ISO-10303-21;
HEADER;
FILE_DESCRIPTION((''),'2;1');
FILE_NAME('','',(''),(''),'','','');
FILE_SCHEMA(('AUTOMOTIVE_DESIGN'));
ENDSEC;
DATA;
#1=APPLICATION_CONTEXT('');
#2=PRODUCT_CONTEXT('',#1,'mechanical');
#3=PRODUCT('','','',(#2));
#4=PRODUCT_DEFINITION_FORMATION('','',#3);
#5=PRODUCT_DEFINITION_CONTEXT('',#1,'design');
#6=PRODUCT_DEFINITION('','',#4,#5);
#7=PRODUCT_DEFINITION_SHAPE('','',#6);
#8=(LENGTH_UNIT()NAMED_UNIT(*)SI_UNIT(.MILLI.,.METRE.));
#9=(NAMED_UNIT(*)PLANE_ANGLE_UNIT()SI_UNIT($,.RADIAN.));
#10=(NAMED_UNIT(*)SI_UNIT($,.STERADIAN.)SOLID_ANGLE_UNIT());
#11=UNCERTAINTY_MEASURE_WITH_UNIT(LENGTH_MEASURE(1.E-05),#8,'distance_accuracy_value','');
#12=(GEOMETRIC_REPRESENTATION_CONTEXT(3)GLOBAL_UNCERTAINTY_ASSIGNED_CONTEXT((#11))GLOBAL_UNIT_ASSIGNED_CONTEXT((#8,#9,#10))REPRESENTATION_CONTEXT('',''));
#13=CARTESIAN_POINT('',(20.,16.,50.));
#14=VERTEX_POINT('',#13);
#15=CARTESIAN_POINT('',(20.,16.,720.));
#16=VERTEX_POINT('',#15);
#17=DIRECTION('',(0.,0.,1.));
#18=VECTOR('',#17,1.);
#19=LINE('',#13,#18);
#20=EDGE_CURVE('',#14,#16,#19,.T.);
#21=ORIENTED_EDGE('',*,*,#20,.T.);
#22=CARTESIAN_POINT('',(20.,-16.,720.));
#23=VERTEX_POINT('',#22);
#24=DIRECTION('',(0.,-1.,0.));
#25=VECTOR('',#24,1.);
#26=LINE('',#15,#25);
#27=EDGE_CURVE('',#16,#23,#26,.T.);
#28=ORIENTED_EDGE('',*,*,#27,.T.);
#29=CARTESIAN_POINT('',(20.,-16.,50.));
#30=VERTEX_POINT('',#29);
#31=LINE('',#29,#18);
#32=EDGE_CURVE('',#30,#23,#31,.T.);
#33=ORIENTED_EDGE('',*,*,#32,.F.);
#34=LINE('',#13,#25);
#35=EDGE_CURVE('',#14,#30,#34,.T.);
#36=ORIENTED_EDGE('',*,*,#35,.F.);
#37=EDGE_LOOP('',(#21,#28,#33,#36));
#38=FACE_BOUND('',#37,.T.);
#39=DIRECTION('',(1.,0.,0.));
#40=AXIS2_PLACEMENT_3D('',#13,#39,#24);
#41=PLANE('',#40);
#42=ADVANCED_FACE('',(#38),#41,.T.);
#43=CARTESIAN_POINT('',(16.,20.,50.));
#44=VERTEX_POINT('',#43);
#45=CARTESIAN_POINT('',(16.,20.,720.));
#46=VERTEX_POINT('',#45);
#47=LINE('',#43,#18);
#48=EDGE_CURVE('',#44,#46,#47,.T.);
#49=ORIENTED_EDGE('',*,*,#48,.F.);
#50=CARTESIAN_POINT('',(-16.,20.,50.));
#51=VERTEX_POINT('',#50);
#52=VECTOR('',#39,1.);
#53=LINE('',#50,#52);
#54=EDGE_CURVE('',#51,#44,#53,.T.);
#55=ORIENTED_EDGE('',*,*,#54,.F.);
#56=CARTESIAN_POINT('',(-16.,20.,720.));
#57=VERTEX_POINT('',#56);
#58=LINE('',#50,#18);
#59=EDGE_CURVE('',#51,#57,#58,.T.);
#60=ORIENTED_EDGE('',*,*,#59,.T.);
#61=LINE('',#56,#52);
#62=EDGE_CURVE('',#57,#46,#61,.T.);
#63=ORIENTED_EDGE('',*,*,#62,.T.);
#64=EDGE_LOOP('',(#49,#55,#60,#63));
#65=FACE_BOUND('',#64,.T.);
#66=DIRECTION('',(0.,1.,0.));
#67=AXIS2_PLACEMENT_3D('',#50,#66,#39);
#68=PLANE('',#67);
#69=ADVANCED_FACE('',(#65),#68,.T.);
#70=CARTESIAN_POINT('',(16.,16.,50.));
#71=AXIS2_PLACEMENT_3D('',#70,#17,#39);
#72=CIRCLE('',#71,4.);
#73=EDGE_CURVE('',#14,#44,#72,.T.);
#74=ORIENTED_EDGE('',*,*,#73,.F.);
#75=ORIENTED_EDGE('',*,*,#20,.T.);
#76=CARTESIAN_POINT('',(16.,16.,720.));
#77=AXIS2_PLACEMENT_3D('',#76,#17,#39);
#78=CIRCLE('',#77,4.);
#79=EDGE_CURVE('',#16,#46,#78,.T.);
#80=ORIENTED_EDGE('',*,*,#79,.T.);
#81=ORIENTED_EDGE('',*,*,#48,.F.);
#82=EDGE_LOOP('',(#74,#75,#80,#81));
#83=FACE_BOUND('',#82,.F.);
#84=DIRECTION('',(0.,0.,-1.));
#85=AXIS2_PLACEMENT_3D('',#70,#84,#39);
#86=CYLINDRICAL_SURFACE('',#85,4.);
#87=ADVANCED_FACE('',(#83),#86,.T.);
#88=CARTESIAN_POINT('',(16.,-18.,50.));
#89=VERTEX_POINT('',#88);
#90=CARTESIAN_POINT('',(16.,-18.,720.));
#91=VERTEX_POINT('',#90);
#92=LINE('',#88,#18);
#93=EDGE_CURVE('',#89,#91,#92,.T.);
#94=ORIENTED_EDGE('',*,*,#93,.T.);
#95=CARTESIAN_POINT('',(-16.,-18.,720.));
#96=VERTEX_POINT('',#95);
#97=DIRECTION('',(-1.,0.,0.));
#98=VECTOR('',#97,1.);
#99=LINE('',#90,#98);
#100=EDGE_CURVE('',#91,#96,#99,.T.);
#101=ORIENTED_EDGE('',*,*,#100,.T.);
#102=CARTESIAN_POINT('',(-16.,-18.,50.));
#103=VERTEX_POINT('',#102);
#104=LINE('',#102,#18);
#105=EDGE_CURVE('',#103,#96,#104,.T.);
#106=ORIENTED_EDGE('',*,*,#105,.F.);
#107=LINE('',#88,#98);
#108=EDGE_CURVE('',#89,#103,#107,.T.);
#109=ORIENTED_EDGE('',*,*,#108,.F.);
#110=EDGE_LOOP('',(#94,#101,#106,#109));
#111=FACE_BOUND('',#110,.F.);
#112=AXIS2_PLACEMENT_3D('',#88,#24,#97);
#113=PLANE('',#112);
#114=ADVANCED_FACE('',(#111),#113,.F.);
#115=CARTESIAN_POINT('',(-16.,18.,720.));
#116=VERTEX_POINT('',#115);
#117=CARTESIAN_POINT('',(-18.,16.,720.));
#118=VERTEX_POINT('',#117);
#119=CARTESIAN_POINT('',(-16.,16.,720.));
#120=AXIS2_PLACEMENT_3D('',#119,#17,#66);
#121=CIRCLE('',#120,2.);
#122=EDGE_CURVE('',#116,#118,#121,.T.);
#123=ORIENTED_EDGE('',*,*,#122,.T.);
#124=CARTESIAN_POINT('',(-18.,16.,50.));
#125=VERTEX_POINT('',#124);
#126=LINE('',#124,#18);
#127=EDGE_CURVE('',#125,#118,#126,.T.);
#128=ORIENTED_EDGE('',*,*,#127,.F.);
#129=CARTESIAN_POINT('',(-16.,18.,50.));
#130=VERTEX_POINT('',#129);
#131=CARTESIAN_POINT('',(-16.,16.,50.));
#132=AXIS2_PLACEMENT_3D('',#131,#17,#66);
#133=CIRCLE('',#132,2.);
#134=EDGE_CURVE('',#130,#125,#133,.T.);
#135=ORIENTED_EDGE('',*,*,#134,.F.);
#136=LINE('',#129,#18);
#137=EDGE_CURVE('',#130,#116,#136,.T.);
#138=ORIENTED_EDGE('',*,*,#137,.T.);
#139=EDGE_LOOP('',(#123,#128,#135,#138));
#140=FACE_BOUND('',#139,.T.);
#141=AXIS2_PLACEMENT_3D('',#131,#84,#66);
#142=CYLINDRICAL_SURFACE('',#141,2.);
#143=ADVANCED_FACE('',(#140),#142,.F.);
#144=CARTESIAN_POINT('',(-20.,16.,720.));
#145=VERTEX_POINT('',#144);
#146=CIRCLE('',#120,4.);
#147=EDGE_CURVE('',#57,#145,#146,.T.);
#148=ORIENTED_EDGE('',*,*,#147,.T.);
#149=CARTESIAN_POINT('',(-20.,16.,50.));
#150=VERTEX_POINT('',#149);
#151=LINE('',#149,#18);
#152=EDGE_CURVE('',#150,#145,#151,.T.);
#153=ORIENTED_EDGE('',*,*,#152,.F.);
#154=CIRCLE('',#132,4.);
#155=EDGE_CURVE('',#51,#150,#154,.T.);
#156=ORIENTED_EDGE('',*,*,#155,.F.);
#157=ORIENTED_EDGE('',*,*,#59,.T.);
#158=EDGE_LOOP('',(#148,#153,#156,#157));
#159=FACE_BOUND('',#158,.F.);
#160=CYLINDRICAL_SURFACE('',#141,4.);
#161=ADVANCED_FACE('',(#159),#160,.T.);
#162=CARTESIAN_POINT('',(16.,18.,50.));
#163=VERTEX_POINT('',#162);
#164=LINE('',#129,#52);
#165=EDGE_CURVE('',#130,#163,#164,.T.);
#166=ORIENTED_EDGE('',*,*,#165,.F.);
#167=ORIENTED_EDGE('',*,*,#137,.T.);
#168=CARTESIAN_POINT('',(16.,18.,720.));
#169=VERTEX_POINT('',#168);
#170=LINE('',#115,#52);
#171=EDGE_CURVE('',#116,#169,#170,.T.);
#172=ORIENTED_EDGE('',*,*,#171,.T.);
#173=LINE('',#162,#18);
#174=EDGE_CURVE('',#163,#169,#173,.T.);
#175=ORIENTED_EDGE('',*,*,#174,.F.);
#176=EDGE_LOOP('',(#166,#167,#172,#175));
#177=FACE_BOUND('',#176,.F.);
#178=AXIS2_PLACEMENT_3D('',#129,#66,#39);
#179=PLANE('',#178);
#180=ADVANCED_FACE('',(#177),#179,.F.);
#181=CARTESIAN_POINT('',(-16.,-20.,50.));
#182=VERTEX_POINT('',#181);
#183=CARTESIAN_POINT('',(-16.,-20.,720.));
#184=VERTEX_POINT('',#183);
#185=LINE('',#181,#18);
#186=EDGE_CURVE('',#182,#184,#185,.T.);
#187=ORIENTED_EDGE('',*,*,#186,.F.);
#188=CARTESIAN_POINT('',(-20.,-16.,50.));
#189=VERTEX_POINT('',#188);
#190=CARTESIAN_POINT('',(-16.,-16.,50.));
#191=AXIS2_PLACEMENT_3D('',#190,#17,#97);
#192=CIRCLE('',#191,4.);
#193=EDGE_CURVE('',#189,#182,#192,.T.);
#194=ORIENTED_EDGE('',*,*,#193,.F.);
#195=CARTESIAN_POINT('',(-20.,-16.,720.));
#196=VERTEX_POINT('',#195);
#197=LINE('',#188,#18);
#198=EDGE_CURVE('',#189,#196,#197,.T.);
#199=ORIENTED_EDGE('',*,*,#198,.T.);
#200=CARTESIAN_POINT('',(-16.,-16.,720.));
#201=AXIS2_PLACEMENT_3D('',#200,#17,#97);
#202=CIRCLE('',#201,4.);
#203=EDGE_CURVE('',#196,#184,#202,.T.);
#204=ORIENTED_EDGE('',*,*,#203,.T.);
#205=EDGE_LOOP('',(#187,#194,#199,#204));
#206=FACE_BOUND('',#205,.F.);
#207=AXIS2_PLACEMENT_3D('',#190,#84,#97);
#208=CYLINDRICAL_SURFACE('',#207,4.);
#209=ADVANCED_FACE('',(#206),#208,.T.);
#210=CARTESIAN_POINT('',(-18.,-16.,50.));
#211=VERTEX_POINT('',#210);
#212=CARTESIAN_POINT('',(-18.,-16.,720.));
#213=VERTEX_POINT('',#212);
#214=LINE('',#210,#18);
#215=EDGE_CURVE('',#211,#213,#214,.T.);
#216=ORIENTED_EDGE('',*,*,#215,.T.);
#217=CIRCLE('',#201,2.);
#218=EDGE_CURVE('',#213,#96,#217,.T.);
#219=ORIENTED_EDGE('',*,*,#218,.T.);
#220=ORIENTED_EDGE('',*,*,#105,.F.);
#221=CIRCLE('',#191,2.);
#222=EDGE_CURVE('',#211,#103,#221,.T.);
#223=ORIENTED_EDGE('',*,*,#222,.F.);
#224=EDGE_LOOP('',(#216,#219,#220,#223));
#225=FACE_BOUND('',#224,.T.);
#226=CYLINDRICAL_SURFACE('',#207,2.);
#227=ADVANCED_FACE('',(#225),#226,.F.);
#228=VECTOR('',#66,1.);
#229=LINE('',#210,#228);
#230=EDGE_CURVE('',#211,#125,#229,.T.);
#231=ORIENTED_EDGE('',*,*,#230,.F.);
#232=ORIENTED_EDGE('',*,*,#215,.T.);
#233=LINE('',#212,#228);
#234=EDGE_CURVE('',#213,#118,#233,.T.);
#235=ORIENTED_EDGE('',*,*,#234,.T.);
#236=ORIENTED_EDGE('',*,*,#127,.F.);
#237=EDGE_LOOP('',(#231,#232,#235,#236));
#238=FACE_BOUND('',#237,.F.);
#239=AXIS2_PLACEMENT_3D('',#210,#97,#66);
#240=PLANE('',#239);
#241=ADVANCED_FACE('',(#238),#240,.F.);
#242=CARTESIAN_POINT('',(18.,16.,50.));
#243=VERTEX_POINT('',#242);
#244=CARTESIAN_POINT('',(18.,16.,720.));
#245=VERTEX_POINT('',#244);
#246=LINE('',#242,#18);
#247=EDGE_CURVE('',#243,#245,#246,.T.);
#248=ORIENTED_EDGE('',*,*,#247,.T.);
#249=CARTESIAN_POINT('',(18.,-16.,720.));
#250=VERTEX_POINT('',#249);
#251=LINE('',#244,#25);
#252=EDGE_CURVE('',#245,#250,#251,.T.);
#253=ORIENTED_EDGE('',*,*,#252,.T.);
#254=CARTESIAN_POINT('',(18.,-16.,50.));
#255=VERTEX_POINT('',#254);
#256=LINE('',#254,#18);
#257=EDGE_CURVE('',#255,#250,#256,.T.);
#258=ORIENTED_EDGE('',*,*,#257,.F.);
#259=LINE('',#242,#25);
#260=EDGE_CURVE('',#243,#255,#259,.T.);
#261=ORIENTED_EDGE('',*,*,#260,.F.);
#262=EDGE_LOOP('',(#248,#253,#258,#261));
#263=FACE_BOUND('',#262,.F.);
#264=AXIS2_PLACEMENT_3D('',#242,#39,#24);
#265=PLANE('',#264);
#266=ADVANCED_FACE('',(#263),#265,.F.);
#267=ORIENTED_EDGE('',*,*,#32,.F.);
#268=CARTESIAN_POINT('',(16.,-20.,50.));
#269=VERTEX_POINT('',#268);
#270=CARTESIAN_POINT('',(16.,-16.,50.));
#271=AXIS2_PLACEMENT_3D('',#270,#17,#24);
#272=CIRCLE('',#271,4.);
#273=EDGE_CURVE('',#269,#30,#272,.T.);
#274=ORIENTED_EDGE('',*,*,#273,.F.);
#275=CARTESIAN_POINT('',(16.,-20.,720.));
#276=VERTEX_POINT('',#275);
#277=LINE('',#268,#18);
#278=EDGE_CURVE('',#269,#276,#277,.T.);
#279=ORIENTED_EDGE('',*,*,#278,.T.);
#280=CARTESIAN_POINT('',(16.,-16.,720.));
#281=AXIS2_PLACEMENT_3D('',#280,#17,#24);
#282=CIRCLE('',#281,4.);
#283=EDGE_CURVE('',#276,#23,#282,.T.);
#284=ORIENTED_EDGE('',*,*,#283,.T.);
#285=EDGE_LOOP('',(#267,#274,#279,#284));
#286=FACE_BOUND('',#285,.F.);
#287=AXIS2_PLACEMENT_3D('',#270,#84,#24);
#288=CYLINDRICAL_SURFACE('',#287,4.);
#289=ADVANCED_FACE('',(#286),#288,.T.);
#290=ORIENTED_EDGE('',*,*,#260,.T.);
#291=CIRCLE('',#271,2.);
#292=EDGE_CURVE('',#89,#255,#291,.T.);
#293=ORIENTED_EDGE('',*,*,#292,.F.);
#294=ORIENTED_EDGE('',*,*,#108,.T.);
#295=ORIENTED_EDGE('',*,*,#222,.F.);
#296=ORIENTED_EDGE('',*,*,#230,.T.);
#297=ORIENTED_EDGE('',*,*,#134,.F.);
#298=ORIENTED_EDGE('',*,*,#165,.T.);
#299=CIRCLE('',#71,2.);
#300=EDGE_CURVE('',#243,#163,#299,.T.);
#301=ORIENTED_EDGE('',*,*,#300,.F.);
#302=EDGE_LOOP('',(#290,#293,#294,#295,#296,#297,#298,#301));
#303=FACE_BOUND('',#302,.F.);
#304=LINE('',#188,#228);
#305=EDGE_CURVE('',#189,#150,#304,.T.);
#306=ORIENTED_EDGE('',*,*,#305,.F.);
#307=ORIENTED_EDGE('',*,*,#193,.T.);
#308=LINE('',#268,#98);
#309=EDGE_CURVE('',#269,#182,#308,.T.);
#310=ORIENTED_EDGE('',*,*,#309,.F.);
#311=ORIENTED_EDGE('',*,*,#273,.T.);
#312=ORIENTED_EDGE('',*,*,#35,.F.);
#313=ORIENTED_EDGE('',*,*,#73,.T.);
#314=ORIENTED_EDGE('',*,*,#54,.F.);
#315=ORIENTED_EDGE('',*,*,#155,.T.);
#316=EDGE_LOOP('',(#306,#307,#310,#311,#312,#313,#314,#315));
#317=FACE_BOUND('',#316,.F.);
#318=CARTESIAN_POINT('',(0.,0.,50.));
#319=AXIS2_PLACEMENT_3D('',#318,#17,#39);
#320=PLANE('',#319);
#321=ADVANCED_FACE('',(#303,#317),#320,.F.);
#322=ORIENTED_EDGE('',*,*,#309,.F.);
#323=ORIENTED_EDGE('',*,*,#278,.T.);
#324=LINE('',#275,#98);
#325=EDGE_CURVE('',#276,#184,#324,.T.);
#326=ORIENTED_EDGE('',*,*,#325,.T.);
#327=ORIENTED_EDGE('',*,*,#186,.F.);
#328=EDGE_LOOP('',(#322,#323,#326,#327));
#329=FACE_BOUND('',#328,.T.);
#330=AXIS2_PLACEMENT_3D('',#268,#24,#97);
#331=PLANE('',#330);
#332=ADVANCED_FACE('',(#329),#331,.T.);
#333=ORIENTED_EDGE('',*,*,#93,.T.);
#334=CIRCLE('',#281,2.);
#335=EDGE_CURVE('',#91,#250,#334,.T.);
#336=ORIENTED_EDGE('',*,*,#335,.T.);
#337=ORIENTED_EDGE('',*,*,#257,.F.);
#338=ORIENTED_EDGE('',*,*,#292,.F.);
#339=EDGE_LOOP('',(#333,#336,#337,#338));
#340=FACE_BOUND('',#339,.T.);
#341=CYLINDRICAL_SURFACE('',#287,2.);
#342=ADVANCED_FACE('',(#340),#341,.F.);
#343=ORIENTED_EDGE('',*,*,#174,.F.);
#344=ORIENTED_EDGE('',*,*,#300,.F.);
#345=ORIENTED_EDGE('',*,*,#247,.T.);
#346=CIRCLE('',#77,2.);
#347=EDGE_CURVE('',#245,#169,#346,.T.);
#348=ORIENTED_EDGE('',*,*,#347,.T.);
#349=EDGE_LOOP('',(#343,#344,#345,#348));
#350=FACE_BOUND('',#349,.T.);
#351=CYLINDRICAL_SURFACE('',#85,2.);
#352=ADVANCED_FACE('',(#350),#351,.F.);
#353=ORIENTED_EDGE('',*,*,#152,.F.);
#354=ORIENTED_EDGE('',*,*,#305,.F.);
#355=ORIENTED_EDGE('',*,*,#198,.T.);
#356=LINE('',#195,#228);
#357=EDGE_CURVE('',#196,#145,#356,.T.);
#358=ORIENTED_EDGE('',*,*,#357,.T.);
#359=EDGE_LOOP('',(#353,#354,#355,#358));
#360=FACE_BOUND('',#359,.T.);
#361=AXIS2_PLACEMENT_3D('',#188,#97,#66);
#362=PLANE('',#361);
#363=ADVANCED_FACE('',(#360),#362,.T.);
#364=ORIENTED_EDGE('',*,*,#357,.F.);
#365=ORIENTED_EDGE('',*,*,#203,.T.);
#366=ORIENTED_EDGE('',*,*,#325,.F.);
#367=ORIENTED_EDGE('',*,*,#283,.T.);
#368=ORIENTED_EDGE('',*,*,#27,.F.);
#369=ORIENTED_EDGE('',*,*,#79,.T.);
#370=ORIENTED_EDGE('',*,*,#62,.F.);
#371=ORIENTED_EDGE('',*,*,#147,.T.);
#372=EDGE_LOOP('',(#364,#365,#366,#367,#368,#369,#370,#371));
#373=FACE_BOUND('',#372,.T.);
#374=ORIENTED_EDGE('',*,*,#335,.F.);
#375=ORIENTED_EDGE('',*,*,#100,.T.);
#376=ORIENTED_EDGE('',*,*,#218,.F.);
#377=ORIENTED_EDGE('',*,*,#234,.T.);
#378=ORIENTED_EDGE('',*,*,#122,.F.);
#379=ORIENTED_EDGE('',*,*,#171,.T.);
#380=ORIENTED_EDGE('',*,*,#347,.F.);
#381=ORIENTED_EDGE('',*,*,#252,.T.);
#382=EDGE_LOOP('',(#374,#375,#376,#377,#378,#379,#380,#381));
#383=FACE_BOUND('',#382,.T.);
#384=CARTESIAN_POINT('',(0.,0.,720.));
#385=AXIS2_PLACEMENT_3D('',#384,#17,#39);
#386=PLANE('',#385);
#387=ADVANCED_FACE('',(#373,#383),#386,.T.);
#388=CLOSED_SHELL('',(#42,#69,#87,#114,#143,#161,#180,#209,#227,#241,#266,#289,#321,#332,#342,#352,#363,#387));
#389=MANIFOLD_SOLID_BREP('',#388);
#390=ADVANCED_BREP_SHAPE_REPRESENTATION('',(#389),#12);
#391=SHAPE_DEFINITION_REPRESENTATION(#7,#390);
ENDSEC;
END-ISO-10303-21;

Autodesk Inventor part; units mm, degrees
ref_plane "YZ Plane" through (0, 0, 0) normal (1, 0, 0) x (0, 1, 0)
ref_plane "Start Plane" through (0, 0, 50) normal (0, 0, 1) x (1, 0, 0)
ref_plane "End Plane" through (0, 0, 720) normal (0, 0, 1) x (1, 0, 0)
sketch "Sketch" plane through (0, 0, 0) normal (0, 0, 1) x (1, 0, 0)
  line L0 (-20, -16) -> (-20, 16)
  line L1 (-16, 20) -> (16, 20)
  line L2 (20, 16) -> (20, -16)
  line L3 (16, -20) -> (-16, -20)
  arc A0 (-20, -16) -> (-16, -20) centre (-16, -16) ccw
  arc A1 (20, 16) -> (16, 20) centre (16, 16) ccw
  arc A2 (-16, 20) -> (-20, 16) centre (-16, 16) ccw
  arc A3 (16, -20) -> (20, -16) centre (16, -16) ccw
  arc A4 (-16, 18) -> (-18, 16) centre (-16, 16) ccw
  line L4 (-16, 18) -> (16, 18)
  arc A5 (18, 16) -> (16, 18) centre (16, 16) ccw
  line L5 (18, 16) -> (18, -16)
  arc A6 (16, -18) -> (18, -16) centre (16, -16) ccw
  line L6 (16, -18) -> (-16, -18)
  arc A7 (-18, -16) -> (-16, -18) centre (-16, -16) ccw
  line L7 (-18, -16) -> (-18, 16)
  line L8 (0, 29.1598) -> (0, -29.1598) construction
  line L9 (-29.1598, 0) -> (29.1598, 0) construction
  dimension "d7" = 4
  dimension "d9" = 40
  dimension "d11" = 40
  dimension "d12" = 2
  dimension "d15" = 20
  dimension "d16" = 20
extrude "Body" add sketch "Sketch" along normal up to surface (670 mm away) from surface at 50
sketch "Sketch3" plane through (0, 0, 0) normal (0, 0, 1) x (1, 0, 0)
  line L0 (0, 0) -> (10, 0)
ref_plane "Work Plane3" through (0, 0, 0) normal (0, -1, 0) x (1, 0, 0)
sketch "Sketch4" plane through (0, 0, 0) normal (0, -1, 0) x (1, 0, 0)
  line L0 (-2, 50) -> (12, 50) projected
  line L1 (-2, 720) -> (12, 720) projected
  dimension "d18" = 670
equation "\"d7\" = G_IR"
equation "\"d9\" = G_W"
equation "\"d11\" = G_H"
equation "\"d12\" = G_T"
equation "\"d15\" = 0.5 * d9"
equation "\"d16\" = 0.5 * d11"
equation "\"d3\" = G_L"
equation "\"G_W\" = 40"
equation "\"G_H\" = 40"
equation "\"G_T\" = 2"
equation "\"G_IR\" = 4"
equation "\"G_L\" = d18"
properties part number "ISO 10799-2 - 40x40x2 - 670" material "Steel, Mild"
